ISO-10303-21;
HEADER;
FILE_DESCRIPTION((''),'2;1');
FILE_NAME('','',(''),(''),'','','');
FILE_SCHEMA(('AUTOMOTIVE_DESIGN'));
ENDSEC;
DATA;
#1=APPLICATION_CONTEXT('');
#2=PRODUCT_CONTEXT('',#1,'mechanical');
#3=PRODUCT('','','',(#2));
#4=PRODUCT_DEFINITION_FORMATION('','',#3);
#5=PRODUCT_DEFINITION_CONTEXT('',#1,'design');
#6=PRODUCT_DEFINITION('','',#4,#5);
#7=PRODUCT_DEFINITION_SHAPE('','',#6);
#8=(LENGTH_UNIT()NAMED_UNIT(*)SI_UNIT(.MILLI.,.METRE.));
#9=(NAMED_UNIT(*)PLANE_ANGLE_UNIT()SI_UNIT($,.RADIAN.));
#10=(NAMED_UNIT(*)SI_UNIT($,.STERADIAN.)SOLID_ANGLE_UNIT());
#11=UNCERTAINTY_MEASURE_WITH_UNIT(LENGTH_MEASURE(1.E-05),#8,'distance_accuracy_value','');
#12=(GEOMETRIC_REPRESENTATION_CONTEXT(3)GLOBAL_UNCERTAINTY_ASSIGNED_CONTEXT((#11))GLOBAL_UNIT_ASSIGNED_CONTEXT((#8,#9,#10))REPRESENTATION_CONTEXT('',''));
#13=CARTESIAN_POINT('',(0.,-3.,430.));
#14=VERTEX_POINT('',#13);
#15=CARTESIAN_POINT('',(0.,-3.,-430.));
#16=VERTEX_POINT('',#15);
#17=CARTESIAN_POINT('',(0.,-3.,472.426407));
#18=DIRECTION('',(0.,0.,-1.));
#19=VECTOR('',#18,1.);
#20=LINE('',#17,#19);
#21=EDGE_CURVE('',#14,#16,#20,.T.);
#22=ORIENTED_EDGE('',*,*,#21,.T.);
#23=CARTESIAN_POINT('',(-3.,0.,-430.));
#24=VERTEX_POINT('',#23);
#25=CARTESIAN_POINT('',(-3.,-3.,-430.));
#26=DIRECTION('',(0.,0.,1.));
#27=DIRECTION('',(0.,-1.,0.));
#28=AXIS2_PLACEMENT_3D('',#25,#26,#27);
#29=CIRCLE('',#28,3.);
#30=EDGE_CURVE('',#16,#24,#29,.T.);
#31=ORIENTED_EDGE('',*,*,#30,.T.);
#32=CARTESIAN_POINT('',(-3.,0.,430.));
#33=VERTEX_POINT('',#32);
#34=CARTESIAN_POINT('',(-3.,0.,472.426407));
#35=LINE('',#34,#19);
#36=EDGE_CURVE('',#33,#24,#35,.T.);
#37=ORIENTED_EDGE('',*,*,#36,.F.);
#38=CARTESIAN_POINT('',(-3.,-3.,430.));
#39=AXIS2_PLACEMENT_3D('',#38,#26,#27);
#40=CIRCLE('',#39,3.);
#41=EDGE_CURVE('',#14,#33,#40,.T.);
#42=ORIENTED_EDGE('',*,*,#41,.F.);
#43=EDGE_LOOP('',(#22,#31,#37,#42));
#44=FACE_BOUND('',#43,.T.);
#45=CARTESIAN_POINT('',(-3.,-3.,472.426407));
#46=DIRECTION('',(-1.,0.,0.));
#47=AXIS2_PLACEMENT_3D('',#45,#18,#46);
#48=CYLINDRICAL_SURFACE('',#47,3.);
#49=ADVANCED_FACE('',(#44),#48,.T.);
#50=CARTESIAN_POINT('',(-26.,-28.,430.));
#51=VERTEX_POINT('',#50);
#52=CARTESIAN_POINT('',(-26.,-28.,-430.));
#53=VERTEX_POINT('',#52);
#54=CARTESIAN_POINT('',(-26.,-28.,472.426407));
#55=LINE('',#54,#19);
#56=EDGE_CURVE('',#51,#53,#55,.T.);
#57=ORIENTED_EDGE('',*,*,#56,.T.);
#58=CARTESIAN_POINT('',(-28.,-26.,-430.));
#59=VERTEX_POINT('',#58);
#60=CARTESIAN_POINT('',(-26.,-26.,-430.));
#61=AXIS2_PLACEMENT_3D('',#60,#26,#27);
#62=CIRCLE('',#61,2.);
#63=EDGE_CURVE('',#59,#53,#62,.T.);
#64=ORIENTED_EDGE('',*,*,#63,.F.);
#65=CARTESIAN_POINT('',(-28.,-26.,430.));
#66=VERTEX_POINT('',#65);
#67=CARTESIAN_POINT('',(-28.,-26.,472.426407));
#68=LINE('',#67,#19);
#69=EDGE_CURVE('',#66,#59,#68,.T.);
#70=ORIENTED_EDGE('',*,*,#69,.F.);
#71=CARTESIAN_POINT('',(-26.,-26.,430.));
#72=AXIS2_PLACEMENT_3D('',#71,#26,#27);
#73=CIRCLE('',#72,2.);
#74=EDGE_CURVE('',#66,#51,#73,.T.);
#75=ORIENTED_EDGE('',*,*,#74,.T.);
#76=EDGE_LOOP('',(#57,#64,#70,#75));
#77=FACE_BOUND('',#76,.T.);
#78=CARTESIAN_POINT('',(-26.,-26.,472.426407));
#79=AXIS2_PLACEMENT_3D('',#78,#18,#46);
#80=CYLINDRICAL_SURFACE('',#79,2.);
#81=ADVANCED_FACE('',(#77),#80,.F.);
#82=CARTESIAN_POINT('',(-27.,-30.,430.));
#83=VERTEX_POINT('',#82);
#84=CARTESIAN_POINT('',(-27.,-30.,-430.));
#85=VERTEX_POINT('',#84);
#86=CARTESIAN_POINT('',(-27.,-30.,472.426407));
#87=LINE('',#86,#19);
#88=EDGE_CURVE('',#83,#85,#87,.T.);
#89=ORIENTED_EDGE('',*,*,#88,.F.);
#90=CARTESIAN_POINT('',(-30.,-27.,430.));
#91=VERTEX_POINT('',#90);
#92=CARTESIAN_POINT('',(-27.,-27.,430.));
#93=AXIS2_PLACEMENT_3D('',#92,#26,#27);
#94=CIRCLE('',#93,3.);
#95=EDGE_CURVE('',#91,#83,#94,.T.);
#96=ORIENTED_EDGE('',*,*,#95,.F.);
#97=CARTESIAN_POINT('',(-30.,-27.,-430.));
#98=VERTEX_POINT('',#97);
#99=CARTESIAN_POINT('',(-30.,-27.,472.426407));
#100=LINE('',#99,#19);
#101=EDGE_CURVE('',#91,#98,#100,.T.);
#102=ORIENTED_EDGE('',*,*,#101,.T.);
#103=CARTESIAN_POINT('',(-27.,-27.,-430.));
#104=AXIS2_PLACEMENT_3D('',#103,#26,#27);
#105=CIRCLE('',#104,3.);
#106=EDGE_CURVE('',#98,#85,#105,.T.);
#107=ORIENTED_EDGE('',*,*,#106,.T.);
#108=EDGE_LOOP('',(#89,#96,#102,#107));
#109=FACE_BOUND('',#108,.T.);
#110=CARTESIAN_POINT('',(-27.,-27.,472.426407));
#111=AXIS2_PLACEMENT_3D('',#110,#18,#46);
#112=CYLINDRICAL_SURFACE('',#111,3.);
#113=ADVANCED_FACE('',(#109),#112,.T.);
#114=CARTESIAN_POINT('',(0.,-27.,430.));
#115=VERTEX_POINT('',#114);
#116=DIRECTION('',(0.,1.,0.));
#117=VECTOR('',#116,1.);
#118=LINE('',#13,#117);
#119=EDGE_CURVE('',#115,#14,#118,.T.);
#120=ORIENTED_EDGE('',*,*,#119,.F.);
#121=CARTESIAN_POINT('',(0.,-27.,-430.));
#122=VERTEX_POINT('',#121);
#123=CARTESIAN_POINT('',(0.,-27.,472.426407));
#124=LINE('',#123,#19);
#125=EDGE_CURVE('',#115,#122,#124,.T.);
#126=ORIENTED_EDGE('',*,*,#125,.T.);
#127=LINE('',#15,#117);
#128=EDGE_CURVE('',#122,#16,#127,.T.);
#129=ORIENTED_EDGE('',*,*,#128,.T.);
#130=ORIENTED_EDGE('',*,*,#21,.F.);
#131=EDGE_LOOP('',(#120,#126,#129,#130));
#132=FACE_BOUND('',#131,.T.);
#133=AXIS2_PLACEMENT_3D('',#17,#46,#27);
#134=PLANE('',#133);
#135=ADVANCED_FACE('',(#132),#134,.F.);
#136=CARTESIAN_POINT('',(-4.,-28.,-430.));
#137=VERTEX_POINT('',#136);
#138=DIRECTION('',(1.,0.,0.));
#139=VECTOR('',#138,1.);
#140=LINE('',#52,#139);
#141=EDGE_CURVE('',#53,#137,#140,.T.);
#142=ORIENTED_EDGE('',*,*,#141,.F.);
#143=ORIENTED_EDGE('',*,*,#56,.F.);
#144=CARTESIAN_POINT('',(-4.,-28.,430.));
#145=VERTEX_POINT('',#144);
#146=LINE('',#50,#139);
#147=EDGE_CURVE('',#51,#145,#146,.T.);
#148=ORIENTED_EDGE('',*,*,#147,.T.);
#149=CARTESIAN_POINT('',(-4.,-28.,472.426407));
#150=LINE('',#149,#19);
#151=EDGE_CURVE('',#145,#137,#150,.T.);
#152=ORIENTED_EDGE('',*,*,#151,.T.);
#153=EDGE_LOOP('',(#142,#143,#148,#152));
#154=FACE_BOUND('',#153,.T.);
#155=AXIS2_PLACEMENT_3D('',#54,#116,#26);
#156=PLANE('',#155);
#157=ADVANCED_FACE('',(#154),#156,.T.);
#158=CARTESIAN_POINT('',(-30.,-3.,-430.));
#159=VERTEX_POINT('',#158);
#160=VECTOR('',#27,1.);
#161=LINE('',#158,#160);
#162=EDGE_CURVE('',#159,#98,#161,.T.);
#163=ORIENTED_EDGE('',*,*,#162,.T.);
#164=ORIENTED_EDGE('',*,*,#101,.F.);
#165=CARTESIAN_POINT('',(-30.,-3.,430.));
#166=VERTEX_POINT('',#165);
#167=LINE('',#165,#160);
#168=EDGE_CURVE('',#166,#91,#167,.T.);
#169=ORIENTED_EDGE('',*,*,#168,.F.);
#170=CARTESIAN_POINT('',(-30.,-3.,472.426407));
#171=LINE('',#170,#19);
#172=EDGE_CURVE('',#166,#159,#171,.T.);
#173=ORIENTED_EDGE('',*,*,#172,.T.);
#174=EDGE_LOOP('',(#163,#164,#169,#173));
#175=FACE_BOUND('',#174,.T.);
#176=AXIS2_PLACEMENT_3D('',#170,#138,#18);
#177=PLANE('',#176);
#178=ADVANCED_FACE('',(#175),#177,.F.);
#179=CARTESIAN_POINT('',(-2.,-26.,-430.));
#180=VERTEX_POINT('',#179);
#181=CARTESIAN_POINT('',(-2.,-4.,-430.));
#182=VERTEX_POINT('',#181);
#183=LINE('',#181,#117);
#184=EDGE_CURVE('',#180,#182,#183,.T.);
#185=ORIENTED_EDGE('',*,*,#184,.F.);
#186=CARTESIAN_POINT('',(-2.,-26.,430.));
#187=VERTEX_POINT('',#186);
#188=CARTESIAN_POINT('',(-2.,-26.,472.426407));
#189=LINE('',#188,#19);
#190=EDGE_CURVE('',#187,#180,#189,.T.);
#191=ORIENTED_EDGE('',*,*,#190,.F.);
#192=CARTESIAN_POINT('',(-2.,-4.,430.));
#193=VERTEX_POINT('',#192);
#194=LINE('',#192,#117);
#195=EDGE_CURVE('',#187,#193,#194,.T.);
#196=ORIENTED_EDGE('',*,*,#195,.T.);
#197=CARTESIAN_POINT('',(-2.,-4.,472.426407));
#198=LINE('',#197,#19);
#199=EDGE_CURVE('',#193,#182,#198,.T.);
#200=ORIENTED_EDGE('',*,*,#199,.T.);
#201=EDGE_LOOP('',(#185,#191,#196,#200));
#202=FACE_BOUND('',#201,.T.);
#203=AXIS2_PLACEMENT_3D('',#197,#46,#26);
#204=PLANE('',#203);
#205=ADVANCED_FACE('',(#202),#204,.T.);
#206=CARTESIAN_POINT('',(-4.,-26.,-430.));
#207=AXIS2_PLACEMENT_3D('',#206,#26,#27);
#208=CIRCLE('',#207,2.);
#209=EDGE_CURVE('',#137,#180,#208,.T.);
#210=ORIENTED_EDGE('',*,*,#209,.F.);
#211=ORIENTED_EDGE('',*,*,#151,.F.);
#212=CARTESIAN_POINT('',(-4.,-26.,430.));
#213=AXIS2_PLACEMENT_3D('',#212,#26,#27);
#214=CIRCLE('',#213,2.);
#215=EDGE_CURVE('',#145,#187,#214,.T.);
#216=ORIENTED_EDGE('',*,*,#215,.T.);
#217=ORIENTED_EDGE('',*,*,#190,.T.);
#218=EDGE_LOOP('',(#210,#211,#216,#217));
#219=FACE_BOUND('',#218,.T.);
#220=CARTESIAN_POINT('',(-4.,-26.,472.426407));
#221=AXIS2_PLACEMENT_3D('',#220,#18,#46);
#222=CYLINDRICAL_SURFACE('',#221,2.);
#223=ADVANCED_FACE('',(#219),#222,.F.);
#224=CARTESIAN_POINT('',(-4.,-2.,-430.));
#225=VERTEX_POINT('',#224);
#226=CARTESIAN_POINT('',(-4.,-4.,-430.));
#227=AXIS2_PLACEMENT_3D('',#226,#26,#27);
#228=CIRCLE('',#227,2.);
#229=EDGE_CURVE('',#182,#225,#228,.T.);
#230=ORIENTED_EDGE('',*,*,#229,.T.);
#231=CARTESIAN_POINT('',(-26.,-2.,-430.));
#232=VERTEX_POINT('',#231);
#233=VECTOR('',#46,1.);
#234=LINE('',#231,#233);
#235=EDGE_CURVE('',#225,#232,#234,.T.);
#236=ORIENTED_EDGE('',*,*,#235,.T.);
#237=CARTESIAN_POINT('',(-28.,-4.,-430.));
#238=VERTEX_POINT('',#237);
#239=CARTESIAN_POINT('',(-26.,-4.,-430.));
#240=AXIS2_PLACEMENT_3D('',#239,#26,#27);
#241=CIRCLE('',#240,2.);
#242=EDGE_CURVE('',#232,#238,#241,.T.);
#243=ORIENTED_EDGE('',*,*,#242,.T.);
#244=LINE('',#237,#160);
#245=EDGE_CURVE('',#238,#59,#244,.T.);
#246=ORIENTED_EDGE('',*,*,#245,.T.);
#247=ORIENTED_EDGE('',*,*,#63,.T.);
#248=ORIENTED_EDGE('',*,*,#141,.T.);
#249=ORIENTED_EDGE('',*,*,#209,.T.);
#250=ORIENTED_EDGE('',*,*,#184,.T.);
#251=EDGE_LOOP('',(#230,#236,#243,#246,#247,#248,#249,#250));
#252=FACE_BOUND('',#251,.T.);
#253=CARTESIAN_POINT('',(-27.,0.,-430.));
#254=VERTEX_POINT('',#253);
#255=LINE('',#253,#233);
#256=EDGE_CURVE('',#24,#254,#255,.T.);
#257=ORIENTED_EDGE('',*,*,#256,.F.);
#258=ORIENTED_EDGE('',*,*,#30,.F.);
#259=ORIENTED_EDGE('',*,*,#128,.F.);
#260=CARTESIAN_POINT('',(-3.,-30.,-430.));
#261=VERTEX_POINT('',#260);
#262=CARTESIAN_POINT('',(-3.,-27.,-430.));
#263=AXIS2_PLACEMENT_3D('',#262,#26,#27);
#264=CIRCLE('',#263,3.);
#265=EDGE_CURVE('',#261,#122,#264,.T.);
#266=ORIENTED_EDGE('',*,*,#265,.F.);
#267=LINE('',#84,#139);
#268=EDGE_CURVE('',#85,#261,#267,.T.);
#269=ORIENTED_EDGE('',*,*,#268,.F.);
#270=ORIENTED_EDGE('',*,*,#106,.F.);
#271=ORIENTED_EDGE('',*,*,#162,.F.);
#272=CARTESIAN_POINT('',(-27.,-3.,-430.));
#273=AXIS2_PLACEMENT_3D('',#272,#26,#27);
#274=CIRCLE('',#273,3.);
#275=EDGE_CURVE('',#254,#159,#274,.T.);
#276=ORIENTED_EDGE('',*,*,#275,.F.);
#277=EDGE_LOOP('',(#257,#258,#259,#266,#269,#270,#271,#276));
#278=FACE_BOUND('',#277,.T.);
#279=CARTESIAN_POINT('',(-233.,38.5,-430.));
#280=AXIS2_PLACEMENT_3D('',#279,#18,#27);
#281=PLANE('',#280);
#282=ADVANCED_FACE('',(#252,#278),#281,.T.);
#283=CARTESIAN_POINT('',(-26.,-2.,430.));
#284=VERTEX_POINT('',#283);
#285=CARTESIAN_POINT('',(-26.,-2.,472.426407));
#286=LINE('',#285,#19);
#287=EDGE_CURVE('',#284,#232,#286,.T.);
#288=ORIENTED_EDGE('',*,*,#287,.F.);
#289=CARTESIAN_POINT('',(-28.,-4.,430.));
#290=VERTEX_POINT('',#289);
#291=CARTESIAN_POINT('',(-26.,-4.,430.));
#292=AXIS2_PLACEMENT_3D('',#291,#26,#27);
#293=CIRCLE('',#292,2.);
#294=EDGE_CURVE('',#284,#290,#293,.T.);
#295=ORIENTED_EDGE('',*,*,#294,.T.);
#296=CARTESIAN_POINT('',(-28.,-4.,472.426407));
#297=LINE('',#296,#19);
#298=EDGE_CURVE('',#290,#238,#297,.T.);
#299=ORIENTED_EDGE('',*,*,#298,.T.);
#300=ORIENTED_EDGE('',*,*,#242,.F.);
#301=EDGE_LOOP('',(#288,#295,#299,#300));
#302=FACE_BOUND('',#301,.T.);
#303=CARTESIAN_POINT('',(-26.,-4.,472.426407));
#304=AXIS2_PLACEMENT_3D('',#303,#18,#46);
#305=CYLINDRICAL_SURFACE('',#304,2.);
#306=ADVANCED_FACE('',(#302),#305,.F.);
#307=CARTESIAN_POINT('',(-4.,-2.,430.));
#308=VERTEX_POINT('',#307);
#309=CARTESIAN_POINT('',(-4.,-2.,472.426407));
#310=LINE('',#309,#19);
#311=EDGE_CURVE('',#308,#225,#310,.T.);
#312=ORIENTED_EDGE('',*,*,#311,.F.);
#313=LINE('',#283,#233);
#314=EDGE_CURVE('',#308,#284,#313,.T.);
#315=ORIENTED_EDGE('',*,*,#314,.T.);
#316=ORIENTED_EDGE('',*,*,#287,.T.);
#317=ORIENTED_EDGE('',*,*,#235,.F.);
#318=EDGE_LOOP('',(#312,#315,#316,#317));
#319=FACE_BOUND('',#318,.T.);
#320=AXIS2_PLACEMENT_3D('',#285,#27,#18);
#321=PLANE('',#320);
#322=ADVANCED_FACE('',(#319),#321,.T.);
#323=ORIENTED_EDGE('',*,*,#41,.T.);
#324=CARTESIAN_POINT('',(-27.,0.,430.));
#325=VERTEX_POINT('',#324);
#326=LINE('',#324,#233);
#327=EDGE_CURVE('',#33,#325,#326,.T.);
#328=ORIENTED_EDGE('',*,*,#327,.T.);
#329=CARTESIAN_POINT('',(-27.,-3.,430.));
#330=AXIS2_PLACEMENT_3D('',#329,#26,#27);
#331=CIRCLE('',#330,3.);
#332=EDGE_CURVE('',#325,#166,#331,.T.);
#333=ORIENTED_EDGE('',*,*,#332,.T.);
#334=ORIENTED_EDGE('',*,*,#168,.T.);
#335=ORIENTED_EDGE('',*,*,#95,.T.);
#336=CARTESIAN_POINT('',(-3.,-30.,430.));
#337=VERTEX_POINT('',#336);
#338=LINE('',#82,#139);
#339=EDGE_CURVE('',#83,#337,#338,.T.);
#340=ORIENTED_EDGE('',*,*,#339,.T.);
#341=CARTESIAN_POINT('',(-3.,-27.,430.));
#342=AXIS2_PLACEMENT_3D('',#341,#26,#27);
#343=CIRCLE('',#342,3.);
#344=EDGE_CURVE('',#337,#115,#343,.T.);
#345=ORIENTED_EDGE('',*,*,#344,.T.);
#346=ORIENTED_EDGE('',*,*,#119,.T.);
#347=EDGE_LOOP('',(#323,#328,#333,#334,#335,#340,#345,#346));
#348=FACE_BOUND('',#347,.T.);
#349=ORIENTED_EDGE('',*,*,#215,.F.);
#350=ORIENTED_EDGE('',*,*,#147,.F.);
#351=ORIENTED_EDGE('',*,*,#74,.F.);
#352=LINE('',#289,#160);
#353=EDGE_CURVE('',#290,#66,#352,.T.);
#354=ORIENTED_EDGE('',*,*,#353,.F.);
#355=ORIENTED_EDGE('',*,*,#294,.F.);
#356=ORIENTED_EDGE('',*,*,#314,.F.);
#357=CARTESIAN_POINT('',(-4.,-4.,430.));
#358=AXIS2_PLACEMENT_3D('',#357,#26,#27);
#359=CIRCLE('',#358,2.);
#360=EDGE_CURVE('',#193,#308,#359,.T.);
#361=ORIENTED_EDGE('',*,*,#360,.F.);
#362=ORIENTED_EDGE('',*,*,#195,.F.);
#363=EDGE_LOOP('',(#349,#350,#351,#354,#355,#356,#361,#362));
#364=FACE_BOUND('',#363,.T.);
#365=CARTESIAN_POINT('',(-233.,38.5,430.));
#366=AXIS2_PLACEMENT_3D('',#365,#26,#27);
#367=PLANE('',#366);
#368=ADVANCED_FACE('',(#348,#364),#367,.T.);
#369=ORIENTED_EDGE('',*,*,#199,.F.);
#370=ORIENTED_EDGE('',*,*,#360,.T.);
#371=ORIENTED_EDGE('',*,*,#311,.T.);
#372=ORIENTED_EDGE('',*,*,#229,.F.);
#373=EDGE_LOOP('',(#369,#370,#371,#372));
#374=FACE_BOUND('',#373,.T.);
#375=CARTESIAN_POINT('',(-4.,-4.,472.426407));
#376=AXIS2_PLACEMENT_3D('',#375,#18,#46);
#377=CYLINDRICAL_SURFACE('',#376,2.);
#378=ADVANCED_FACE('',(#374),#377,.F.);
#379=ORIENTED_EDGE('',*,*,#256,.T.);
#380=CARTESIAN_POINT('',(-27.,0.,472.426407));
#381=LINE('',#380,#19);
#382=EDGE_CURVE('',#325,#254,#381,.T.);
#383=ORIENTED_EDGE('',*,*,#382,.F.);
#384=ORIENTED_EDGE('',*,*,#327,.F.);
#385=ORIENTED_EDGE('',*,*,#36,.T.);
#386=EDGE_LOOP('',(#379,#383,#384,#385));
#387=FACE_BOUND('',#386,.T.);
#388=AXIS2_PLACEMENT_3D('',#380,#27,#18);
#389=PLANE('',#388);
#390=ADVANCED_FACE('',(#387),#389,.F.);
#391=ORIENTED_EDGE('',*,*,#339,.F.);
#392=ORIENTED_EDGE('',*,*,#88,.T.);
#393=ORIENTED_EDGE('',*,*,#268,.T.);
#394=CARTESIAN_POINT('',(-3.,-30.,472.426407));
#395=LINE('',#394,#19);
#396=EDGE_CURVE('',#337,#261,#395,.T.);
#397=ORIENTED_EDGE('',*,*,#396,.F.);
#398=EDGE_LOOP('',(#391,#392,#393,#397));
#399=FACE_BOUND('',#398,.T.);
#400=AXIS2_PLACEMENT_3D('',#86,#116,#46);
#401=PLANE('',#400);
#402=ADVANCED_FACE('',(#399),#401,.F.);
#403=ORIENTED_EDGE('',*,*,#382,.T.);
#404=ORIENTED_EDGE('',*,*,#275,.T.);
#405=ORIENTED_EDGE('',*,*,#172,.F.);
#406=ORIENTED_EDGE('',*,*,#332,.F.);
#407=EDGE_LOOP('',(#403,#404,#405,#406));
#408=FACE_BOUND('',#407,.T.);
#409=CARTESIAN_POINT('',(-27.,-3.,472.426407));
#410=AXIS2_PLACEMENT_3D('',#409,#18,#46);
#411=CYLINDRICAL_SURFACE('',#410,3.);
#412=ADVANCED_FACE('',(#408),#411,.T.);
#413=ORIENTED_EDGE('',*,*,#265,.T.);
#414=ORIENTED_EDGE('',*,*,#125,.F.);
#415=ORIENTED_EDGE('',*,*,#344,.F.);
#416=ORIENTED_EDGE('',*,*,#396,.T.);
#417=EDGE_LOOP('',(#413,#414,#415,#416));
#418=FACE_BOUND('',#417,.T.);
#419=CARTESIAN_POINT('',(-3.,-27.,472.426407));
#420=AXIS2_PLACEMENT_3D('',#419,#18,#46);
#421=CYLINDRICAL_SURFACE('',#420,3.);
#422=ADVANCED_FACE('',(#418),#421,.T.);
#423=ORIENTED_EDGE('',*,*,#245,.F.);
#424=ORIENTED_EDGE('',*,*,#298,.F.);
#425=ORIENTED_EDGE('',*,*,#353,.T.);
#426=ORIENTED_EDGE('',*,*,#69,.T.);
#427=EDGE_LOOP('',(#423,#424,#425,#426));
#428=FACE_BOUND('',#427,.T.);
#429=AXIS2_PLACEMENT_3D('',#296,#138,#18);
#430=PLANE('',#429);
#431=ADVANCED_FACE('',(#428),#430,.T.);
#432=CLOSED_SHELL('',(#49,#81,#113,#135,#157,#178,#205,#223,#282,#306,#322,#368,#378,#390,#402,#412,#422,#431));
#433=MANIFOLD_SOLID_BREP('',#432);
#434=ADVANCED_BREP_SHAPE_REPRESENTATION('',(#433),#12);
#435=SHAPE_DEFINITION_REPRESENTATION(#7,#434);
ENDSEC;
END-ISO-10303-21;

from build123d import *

# Parameters (mm, degrees)
EXTRUDE_1_DEPTH = 430


with BuildPart() as part:
    # Эскиз1 → Бобышка-Вытянуть1 (new body)
    with BuildSketch(Plane.XY):
        with BuildLine():
            Line((-27, 0), (-3, 0))
            ThreePointArc((-3, 0), (-0.878679656, -0.878679656), (0, -3))
            Line((0, -3), (0, -27))
            ThreePointArc((0, -27), (-0.878679656, -29.121320344), (-3, -30))
            Line((-3, -30), (-27, -30))
            ThreePointArc((-27, -30), (-29.121320344, -29.121320344), (-30, -27))
            Line((-30, -27), (-30, -3))
            ThreePointArc((-30, -3), (-29.121320344, -0.878679656), (-27, 0))
        make_face()
        with BuildLine():
            Line((-26, -2), (-4, -2))
            ThreePointArc((-4, -2), (-2.585786438, -2.585786438), (-2, -4))
            Line((-2, -4), (-2, -26))
            ThreePointArc((-2, -26), (-2.585786438, -27.414213562), (-4, -28))
            Line((-4, -28), (-26, -28))
            ThreePointArc((-26, -28), (-27.414213562, -27.414213562), (-28, -26))
            Line((-28, -26), (-28, -4))
            ThreePointArc((-28, -4), (-27.414213562, -2.585786438), (-26, -2))
        make_face(mode=Mode.SUBTRACT)
    extrude(amount=EXTRUDE_1_DEPTH)

    # Зеркальное отражение1: part across plane


with BuildPart() as part_1:
    add(part.part)
    add(part.part.mirror(Plane(origin=(-27, -27, 0), x_dir=(1, 0, 0), z_dir=(0, 0, 1))))


solid = part_1.part
